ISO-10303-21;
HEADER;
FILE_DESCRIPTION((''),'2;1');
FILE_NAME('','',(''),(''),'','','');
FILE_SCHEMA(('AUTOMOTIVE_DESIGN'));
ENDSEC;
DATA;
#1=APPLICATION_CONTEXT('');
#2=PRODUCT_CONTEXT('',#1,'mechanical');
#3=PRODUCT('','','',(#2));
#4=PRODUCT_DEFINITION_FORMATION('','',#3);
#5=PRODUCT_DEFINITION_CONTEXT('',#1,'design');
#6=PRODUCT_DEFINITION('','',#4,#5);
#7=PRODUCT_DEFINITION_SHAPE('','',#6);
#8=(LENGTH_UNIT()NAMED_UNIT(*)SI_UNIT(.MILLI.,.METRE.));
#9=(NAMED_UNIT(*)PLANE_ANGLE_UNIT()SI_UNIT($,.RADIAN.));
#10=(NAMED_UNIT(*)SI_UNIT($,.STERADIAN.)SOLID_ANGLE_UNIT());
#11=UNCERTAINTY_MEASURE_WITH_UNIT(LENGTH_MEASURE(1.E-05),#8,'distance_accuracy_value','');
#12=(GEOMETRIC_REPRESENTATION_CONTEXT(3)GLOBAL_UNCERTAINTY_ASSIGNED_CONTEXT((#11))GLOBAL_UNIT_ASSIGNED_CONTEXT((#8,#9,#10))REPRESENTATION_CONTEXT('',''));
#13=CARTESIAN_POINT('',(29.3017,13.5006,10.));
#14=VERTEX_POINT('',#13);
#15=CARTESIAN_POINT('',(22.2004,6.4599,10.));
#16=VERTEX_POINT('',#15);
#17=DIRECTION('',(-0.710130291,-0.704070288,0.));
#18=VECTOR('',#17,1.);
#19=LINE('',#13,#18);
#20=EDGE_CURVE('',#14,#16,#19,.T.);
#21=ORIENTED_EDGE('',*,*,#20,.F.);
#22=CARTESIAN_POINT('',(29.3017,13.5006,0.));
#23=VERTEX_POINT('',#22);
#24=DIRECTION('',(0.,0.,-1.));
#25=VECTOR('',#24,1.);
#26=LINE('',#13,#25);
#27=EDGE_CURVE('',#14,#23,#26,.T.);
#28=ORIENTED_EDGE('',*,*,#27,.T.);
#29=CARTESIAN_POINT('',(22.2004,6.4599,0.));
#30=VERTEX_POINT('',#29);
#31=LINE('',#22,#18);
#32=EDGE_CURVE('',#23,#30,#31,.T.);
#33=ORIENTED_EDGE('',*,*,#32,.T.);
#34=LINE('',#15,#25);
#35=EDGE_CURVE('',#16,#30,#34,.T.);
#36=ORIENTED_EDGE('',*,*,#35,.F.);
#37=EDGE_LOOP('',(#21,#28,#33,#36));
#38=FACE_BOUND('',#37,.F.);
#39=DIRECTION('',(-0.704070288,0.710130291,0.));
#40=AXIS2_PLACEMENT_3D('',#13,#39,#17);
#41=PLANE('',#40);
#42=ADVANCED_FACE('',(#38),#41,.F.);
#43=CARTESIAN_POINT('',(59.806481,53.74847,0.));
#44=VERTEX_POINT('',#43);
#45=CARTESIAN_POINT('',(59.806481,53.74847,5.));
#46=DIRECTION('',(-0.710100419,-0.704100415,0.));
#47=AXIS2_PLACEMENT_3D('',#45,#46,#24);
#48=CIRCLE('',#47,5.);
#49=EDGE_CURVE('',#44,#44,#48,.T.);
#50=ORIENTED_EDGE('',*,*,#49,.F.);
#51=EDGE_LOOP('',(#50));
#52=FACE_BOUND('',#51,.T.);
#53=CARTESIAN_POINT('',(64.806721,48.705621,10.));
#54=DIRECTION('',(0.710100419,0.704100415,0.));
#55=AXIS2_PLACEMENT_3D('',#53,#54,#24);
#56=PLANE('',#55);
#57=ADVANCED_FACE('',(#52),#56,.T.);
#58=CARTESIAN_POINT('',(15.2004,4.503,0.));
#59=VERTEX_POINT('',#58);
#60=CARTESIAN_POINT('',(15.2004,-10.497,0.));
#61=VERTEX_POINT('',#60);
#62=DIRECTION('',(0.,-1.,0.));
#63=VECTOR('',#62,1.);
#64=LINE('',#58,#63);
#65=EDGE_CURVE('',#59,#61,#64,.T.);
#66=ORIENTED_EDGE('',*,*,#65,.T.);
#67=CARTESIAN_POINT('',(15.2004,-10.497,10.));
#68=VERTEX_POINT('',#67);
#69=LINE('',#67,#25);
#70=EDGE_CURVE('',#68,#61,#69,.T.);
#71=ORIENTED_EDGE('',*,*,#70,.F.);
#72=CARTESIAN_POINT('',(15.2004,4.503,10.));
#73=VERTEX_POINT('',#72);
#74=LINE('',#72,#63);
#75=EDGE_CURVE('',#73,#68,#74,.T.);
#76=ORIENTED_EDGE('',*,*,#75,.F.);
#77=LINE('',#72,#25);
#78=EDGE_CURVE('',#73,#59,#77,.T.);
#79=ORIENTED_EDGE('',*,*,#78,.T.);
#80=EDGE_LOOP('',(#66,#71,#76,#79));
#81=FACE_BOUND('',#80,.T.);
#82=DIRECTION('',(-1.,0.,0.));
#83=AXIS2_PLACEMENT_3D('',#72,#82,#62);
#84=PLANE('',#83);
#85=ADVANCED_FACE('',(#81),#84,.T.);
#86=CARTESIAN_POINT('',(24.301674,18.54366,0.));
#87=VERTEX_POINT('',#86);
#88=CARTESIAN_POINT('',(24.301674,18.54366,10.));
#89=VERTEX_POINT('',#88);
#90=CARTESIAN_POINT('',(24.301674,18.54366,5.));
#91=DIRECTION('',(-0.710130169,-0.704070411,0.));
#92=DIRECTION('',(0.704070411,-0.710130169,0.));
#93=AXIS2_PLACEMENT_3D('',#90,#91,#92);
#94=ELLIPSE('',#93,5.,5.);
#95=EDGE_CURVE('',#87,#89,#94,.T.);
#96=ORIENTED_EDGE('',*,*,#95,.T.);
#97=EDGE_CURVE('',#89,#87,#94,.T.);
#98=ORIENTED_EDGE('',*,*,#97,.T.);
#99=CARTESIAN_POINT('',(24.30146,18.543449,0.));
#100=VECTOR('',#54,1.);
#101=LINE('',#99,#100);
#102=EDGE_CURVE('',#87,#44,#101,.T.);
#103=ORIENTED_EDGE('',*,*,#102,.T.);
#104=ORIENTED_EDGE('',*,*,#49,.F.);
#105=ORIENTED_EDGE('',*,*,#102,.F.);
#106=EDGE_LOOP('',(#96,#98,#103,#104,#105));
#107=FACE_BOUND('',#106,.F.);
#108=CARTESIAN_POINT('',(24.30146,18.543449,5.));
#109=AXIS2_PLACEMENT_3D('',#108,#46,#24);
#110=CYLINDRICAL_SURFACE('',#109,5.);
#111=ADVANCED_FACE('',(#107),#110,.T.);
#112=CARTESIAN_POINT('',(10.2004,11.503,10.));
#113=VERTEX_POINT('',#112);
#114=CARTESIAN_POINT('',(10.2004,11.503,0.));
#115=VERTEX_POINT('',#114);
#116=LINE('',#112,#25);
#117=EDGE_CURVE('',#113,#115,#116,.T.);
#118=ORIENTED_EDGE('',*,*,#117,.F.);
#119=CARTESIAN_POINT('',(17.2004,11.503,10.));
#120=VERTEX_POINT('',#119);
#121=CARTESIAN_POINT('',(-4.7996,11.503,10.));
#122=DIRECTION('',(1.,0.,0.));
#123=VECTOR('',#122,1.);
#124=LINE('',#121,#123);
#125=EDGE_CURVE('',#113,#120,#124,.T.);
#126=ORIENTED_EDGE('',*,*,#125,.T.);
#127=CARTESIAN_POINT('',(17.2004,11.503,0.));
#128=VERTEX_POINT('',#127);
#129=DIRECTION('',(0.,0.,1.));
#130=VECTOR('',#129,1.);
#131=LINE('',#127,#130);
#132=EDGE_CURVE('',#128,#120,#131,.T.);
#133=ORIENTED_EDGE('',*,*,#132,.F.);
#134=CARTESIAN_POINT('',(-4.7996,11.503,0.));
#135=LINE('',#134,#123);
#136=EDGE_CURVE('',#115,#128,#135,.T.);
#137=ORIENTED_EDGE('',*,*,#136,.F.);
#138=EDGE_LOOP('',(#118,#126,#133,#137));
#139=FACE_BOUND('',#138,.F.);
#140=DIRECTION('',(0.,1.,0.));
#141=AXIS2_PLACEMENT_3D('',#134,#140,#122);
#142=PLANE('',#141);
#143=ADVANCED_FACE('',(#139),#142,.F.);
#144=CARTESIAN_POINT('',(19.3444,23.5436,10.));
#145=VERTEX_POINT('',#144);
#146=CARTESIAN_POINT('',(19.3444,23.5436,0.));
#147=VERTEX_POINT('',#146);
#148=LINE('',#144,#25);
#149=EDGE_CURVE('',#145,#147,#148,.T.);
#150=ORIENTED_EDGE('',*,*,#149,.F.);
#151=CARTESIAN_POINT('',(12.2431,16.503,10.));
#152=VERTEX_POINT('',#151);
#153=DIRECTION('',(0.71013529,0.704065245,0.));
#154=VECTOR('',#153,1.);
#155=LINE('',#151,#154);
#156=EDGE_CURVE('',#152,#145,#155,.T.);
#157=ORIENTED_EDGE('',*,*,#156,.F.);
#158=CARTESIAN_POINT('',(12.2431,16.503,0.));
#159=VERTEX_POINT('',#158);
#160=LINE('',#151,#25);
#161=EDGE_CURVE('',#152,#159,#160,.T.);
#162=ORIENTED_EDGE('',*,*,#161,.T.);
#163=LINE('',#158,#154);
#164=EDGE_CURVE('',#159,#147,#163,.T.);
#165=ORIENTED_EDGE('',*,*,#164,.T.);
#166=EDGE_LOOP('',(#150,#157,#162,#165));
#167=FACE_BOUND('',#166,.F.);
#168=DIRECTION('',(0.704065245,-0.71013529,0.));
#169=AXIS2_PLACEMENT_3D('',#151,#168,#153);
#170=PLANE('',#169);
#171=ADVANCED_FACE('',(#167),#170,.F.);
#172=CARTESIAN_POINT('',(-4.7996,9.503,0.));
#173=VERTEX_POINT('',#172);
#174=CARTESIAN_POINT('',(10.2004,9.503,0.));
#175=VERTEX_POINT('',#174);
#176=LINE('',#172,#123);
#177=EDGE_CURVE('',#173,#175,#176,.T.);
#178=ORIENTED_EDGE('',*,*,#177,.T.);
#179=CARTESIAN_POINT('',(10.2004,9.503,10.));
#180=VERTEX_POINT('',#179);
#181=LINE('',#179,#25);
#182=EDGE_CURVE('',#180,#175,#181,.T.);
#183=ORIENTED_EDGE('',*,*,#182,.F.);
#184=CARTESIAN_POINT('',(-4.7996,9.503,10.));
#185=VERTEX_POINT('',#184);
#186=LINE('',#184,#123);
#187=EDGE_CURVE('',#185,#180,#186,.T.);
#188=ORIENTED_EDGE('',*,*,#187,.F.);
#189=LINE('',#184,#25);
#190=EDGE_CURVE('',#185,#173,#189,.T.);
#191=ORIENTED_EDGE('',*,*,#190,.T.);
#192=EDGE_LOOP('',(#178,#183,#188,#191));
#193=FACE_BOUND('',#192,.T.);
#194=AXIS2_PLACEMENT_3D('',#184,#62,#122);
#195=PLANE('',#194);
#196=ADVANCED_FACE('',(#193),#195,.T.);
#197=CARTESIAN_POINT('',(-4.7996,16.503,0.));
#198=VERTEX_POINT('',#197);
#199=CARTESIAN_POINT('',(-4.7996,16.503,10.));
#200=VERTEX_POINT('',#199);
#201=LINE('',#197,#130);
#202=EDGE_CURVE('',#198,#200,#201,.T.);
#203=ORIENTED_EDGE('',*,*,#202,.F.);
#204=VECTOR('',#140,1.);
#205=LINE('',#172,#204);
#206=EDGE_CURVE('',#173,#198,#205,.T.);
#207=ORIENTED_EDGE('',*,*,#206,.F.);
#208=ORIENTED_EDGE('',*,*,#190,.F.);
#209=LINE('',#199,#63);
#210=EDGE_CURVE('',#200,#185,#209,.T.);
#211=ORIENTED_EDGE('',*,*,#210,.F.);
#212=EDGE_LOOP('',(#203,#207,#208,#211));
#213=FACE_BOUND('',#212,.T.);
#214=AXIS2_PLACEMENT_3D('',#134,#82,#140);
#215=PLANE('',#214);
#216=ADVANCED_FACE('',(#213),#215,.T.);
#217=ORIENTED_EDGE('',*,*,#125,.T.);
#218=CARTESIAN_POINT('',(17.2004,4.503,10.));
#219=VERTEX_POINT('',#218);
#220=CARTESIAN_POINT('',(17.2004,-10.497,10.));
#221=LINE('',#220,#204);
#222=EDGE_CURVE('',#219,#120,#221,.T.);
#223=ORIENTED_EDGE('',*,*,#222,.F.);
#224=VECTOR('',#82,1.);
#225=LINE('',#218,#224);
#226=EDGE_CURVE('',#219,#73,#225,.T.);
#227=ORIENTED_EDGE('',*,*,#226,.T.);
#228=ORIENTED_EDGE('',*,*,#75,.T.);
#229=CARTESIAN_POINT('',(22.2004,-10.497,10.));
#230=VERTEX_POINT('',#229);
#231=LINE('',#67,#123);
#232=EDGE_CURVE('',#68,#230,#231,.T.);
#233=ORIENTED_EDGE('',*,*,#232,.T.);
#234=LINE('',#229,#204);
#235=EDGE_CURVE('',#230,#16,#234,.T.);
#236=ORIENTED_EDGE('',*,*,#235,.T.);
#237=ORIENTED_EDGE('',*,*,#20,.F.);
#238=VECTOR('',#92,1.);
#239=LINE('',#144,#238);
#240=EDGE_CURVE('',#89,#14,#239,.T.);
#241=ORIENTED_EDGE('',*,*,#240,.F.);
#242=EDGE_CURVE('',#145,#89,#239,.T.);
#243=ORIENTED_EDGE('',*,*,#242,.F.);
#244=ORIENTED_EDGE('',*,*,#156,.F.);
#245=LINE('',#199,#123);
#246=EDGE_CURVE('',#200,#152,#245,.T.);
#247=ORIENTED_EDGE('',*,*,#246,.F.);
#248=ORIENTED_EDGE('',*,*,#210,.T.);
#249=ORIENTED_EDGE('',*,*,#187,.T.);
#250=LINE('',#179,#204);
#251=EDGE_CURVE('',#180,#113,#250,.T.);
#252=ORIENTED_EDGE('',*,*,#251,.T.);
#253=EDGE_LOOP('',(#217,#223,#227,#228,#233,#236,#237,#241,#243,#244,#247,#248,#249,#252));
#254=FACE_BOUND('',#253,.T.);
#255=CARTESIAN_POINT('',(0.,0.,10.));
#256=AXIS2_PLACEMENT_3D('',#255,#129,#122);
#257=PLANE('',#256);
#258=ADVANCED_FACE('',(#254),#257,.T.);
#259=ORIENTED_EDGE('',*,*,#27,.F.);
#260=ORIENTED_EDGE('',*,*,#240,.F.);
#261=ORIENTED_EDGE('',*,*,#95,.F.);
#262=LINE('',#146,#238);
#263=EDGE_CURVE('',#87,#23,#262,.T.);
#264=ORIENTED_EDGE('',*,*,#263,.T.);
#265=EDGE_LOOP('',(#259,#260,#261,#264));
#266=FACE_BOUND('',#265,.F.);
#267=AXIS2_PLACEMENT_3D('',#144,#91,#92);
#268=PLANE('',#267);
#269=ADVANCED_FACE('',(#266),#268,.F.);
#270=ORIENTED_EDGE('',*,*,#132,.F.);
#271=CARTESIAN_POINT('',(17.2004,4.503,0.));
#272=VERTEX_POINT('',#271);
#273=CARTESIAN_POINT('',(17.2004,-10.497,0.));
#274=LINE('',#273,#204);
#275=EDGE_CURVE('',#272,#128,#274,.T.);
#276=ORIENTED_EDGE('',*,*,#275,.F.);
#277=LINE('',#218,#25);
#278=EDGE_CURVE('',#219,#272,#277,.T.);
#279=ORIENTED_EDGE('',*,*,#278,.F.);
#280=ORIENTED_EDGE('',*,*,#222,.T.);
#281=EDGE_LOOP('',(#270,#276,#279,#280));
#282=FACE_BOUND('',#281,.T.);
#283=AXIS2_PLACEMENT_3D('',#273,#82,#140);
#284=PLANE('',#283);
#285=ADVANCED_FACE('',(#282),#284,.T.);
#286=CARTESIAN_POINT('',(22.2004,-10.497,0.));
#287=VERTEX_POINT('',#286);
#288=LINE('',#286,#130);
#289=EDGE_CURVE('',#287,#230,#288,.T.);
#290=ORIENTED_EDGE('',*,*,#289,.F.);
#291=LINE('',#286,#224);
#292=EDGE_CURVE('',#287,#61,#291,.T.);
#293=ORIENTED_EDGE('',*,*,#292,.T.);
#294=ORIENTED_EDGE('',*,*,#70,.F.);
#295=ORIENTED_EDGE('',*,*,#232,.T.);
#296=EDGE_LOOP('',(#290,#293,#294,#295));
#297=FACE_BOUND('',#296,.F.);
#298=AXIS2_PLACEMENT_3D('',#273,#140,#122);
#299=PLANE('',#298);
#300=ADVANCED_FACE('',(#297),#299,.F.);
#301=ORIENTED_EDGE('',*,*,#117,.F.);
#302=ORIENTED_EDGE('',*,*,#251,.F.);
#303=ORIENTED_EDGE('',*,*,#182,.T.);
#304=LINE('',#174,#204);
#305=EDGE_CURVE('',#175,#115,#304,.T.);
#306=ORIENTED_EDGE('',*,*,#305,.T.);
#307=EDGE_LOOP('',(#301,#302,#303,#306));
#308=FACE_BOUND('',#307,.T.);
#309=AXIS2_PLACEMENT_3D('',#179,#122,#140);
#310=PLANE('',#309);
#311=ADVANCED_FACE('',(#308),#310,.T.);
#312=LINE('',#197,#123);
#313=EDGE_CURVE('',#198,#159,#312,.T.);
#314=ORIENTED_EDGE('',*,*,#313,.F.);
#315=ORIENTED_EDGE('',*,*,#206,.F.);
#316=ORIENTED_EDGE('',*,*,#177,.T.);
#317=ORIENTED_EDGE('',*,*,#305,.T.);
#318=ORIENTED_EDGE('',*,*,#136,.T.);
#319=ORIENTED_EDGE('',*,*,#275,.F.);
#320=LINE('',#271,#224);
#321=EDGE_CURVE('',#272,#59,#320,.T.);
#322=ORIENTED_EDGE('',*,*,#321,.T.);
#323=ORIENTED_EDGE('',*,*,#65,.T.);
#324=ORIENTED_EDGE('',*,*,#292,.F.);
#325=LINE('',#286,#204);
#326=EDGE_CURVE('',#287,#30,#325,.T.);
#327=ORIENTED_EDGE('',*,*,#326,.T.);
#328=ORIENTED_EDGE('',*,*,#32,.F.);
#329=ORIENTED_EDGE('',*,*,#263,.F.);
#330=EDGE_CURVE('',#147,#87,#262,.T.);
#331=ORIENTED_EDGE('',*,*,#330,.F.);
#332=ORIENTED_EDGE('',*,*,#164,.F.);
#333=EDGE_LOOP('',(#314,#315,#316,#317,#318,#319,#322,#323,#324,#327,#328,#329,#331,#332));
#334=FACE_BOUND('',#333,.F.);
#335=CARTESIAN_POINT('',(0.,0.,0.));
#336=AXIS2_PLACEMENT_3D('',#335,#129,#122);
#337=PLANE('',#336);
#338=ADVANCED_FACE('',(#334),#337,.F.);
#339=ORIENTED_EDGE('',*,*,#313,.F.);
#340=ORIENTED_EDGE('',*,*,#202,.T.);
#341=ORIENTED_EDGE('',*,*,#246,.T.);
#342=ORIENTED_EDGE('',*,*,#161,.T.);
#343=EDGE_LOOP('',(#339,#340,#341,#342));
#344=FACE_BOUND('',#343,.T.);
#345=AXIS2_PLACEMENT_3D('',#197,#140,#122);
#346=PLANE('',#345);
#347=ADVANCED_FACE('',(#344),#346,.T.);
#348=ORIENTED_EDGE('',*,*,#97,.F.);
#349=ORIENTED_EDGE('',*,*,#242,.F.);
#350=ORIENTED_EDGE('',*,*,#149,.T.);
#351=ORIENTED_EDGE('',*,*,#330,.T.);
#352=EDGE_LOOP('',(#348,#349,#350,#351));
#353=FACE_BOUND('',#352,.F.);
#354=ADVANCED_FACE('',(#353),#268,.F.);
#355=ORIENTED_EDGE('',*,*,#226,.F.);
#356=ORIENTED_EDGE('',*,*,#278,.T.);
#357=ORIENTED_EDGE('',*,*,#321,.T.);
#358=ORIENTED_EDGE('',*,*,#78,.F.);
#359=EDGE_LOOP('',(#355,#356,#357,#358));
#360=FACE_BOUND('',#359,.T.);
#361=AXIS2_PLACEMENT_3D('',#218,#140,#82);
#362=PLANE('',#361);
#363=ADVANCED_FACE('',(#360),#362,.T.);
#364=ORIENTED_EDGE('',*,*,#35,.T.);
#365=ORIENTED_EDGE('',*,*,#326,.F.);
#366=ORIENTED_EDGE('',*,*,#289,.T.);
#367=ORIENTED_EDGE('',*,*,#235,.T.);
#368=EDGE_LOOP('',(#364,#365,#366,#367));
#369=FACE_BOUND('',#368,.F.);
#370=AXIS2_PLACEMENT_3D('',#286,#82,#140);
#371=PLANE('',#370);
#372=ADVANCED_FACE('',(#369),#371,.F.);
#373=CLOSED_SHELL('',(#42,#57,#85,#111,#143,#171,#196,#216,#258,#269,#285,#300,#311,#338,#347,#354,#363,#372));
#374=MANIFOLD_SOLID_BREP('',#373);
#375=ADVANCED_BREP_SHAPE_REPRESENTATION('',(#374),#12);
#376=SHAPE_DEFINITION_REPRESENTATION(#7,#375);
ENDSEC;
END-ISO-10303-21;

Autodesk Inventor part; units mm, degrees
ref_plane "YZ Plane" through (0, 0, 0) normal (1, 0, 0) x (0, 1, 0)
ref_plane "XZ Plane" through (0, 0, 0) normal (0, 1, 0) x (-1, 0, 0)
ref_plane "XY Plane" through (0, 0, 0) normal (0, 0, 1) x (1, 0, 0)
sketch "Náčrt1" plane through (0, 0, 0) normal (0, 0, 1) x (1, 0, 0)
  point P0 (0, 0)
sketch "Náčrt2" plane through (0, 0, 0) normal (0, 0, 1) x (1, 0, 0)
  line L0 (17.2004, -10.497) -> (22.2004, -10.497)
  line L1 (-4.7996, 11.503) -> (-4.7996, 16.503)
  line L2 (-4.7996, 11.503) -> (17.2004, 11.503)
  line L3 (17.2004, -10.497) -> (17.2004, 11.503)
  line L4 (22.2004, -10.497) -> (22.2004, 11.503)
  line L5 (-4.7996, 16.503) -> (22.2004, 16.503)
  line L6 (22.2004, 11.503) -> (22.2004, 16.503)
  point P0 (0, 0)
  point P1 (15.2004, 9.503)
extrude "Vysunutí1" add sketch "Náčrt2" along normal blind 10
sketch "Náčrt3" plane through (0, 0, 10) normal (0, 0, 1) x (1, 0, 0)
  line L0 (17.2004, 11.503) -> (17.2004, -10.497) projected
  line L1 (22.2004, -10.497) -> (22.2004, 16.503) projected
  line L2 (22.2004, 16.503) -> (-4.7996, 16.503) projected
  line L3 (22.2004, 6.4599) -> (12.2431, 16.503)
  line L4 (12.2431, 16.503) -> (19.3444, 23.5436)
  line L5 (19.3444, 23.5436) -> (29.3017, 13.5006)
  line L6 (29.3017, 13.5006) -> (22.2004, 6.4599)
  point P0 (0, 0)
extrude "Vysunutí2" add sketch "Náčrt3" against normal blind 10 contours L1 L2 L4 L5 L6
sketch "Náčrt4" plane through (29.3017, 13.5006, 10) normal (0.7101, 0.7041, 0) x (0, 0, -1)
  point P0 (10, 11.0432)
sketch "Náčrt5" plane through (29.3017, 13.5006, 10) normal (0.7101, 0.7041, 0) x (0, 0, -1)
  line L0 (10, 0) -> (0, 0) projected
  line L1 (10, 22.5911) -> (10, 7.1016) projected
  line L2 (0, 14.1425) -> (10, 14.1425) projected
  line L3 (10, 7.1016) -> (10, -8.5213) projected
  line L4 (10, 7.1016) -> (0, 7.1016) projected
  circle A0 centre (5, 7.1016) radius 5
  point P0 (10, 11.0432)
extrude "Vysunutí3" add sketch "Náčrt5" along normal blind 50
sketch "Náčrt6" plane through (0, 0, 10) normal (0, 0, 1) x (1, 0, 0)
  line L0 (17.2004, 11.503) -> (17.2004, -10.497) projected
  line L1 (17.2004, -10.497) -> (17.2004, 4.503)
  line L2 (17.2004, 4.503) -> (15.2004, 4.503)
  line L3 (15.2004, 4.503) -> (15.2004, -10.497)
  line L4 (15.2004, -10.497) -> (17.2004, -10.497)
  line L5 (-4.7996, 11.503) -> (17.2004, 11.503) projected
  line L6 (-4.7996, 11.503) -> (-4.7996, 9.503)
  line L7 (-4.7996, 9.503) -> (10.2004, 9.503)
  line L8 (10.2004, 9.503) -> (10.2004, 11.503)
  line L9 (10.2004, 11.503) -> (-4.7996, 11.503)
  point P0 (0, 0)
extrude "Vysunutí4" add sketch "Náčrt6" against normal blind 10
properties part number "Součást3"
